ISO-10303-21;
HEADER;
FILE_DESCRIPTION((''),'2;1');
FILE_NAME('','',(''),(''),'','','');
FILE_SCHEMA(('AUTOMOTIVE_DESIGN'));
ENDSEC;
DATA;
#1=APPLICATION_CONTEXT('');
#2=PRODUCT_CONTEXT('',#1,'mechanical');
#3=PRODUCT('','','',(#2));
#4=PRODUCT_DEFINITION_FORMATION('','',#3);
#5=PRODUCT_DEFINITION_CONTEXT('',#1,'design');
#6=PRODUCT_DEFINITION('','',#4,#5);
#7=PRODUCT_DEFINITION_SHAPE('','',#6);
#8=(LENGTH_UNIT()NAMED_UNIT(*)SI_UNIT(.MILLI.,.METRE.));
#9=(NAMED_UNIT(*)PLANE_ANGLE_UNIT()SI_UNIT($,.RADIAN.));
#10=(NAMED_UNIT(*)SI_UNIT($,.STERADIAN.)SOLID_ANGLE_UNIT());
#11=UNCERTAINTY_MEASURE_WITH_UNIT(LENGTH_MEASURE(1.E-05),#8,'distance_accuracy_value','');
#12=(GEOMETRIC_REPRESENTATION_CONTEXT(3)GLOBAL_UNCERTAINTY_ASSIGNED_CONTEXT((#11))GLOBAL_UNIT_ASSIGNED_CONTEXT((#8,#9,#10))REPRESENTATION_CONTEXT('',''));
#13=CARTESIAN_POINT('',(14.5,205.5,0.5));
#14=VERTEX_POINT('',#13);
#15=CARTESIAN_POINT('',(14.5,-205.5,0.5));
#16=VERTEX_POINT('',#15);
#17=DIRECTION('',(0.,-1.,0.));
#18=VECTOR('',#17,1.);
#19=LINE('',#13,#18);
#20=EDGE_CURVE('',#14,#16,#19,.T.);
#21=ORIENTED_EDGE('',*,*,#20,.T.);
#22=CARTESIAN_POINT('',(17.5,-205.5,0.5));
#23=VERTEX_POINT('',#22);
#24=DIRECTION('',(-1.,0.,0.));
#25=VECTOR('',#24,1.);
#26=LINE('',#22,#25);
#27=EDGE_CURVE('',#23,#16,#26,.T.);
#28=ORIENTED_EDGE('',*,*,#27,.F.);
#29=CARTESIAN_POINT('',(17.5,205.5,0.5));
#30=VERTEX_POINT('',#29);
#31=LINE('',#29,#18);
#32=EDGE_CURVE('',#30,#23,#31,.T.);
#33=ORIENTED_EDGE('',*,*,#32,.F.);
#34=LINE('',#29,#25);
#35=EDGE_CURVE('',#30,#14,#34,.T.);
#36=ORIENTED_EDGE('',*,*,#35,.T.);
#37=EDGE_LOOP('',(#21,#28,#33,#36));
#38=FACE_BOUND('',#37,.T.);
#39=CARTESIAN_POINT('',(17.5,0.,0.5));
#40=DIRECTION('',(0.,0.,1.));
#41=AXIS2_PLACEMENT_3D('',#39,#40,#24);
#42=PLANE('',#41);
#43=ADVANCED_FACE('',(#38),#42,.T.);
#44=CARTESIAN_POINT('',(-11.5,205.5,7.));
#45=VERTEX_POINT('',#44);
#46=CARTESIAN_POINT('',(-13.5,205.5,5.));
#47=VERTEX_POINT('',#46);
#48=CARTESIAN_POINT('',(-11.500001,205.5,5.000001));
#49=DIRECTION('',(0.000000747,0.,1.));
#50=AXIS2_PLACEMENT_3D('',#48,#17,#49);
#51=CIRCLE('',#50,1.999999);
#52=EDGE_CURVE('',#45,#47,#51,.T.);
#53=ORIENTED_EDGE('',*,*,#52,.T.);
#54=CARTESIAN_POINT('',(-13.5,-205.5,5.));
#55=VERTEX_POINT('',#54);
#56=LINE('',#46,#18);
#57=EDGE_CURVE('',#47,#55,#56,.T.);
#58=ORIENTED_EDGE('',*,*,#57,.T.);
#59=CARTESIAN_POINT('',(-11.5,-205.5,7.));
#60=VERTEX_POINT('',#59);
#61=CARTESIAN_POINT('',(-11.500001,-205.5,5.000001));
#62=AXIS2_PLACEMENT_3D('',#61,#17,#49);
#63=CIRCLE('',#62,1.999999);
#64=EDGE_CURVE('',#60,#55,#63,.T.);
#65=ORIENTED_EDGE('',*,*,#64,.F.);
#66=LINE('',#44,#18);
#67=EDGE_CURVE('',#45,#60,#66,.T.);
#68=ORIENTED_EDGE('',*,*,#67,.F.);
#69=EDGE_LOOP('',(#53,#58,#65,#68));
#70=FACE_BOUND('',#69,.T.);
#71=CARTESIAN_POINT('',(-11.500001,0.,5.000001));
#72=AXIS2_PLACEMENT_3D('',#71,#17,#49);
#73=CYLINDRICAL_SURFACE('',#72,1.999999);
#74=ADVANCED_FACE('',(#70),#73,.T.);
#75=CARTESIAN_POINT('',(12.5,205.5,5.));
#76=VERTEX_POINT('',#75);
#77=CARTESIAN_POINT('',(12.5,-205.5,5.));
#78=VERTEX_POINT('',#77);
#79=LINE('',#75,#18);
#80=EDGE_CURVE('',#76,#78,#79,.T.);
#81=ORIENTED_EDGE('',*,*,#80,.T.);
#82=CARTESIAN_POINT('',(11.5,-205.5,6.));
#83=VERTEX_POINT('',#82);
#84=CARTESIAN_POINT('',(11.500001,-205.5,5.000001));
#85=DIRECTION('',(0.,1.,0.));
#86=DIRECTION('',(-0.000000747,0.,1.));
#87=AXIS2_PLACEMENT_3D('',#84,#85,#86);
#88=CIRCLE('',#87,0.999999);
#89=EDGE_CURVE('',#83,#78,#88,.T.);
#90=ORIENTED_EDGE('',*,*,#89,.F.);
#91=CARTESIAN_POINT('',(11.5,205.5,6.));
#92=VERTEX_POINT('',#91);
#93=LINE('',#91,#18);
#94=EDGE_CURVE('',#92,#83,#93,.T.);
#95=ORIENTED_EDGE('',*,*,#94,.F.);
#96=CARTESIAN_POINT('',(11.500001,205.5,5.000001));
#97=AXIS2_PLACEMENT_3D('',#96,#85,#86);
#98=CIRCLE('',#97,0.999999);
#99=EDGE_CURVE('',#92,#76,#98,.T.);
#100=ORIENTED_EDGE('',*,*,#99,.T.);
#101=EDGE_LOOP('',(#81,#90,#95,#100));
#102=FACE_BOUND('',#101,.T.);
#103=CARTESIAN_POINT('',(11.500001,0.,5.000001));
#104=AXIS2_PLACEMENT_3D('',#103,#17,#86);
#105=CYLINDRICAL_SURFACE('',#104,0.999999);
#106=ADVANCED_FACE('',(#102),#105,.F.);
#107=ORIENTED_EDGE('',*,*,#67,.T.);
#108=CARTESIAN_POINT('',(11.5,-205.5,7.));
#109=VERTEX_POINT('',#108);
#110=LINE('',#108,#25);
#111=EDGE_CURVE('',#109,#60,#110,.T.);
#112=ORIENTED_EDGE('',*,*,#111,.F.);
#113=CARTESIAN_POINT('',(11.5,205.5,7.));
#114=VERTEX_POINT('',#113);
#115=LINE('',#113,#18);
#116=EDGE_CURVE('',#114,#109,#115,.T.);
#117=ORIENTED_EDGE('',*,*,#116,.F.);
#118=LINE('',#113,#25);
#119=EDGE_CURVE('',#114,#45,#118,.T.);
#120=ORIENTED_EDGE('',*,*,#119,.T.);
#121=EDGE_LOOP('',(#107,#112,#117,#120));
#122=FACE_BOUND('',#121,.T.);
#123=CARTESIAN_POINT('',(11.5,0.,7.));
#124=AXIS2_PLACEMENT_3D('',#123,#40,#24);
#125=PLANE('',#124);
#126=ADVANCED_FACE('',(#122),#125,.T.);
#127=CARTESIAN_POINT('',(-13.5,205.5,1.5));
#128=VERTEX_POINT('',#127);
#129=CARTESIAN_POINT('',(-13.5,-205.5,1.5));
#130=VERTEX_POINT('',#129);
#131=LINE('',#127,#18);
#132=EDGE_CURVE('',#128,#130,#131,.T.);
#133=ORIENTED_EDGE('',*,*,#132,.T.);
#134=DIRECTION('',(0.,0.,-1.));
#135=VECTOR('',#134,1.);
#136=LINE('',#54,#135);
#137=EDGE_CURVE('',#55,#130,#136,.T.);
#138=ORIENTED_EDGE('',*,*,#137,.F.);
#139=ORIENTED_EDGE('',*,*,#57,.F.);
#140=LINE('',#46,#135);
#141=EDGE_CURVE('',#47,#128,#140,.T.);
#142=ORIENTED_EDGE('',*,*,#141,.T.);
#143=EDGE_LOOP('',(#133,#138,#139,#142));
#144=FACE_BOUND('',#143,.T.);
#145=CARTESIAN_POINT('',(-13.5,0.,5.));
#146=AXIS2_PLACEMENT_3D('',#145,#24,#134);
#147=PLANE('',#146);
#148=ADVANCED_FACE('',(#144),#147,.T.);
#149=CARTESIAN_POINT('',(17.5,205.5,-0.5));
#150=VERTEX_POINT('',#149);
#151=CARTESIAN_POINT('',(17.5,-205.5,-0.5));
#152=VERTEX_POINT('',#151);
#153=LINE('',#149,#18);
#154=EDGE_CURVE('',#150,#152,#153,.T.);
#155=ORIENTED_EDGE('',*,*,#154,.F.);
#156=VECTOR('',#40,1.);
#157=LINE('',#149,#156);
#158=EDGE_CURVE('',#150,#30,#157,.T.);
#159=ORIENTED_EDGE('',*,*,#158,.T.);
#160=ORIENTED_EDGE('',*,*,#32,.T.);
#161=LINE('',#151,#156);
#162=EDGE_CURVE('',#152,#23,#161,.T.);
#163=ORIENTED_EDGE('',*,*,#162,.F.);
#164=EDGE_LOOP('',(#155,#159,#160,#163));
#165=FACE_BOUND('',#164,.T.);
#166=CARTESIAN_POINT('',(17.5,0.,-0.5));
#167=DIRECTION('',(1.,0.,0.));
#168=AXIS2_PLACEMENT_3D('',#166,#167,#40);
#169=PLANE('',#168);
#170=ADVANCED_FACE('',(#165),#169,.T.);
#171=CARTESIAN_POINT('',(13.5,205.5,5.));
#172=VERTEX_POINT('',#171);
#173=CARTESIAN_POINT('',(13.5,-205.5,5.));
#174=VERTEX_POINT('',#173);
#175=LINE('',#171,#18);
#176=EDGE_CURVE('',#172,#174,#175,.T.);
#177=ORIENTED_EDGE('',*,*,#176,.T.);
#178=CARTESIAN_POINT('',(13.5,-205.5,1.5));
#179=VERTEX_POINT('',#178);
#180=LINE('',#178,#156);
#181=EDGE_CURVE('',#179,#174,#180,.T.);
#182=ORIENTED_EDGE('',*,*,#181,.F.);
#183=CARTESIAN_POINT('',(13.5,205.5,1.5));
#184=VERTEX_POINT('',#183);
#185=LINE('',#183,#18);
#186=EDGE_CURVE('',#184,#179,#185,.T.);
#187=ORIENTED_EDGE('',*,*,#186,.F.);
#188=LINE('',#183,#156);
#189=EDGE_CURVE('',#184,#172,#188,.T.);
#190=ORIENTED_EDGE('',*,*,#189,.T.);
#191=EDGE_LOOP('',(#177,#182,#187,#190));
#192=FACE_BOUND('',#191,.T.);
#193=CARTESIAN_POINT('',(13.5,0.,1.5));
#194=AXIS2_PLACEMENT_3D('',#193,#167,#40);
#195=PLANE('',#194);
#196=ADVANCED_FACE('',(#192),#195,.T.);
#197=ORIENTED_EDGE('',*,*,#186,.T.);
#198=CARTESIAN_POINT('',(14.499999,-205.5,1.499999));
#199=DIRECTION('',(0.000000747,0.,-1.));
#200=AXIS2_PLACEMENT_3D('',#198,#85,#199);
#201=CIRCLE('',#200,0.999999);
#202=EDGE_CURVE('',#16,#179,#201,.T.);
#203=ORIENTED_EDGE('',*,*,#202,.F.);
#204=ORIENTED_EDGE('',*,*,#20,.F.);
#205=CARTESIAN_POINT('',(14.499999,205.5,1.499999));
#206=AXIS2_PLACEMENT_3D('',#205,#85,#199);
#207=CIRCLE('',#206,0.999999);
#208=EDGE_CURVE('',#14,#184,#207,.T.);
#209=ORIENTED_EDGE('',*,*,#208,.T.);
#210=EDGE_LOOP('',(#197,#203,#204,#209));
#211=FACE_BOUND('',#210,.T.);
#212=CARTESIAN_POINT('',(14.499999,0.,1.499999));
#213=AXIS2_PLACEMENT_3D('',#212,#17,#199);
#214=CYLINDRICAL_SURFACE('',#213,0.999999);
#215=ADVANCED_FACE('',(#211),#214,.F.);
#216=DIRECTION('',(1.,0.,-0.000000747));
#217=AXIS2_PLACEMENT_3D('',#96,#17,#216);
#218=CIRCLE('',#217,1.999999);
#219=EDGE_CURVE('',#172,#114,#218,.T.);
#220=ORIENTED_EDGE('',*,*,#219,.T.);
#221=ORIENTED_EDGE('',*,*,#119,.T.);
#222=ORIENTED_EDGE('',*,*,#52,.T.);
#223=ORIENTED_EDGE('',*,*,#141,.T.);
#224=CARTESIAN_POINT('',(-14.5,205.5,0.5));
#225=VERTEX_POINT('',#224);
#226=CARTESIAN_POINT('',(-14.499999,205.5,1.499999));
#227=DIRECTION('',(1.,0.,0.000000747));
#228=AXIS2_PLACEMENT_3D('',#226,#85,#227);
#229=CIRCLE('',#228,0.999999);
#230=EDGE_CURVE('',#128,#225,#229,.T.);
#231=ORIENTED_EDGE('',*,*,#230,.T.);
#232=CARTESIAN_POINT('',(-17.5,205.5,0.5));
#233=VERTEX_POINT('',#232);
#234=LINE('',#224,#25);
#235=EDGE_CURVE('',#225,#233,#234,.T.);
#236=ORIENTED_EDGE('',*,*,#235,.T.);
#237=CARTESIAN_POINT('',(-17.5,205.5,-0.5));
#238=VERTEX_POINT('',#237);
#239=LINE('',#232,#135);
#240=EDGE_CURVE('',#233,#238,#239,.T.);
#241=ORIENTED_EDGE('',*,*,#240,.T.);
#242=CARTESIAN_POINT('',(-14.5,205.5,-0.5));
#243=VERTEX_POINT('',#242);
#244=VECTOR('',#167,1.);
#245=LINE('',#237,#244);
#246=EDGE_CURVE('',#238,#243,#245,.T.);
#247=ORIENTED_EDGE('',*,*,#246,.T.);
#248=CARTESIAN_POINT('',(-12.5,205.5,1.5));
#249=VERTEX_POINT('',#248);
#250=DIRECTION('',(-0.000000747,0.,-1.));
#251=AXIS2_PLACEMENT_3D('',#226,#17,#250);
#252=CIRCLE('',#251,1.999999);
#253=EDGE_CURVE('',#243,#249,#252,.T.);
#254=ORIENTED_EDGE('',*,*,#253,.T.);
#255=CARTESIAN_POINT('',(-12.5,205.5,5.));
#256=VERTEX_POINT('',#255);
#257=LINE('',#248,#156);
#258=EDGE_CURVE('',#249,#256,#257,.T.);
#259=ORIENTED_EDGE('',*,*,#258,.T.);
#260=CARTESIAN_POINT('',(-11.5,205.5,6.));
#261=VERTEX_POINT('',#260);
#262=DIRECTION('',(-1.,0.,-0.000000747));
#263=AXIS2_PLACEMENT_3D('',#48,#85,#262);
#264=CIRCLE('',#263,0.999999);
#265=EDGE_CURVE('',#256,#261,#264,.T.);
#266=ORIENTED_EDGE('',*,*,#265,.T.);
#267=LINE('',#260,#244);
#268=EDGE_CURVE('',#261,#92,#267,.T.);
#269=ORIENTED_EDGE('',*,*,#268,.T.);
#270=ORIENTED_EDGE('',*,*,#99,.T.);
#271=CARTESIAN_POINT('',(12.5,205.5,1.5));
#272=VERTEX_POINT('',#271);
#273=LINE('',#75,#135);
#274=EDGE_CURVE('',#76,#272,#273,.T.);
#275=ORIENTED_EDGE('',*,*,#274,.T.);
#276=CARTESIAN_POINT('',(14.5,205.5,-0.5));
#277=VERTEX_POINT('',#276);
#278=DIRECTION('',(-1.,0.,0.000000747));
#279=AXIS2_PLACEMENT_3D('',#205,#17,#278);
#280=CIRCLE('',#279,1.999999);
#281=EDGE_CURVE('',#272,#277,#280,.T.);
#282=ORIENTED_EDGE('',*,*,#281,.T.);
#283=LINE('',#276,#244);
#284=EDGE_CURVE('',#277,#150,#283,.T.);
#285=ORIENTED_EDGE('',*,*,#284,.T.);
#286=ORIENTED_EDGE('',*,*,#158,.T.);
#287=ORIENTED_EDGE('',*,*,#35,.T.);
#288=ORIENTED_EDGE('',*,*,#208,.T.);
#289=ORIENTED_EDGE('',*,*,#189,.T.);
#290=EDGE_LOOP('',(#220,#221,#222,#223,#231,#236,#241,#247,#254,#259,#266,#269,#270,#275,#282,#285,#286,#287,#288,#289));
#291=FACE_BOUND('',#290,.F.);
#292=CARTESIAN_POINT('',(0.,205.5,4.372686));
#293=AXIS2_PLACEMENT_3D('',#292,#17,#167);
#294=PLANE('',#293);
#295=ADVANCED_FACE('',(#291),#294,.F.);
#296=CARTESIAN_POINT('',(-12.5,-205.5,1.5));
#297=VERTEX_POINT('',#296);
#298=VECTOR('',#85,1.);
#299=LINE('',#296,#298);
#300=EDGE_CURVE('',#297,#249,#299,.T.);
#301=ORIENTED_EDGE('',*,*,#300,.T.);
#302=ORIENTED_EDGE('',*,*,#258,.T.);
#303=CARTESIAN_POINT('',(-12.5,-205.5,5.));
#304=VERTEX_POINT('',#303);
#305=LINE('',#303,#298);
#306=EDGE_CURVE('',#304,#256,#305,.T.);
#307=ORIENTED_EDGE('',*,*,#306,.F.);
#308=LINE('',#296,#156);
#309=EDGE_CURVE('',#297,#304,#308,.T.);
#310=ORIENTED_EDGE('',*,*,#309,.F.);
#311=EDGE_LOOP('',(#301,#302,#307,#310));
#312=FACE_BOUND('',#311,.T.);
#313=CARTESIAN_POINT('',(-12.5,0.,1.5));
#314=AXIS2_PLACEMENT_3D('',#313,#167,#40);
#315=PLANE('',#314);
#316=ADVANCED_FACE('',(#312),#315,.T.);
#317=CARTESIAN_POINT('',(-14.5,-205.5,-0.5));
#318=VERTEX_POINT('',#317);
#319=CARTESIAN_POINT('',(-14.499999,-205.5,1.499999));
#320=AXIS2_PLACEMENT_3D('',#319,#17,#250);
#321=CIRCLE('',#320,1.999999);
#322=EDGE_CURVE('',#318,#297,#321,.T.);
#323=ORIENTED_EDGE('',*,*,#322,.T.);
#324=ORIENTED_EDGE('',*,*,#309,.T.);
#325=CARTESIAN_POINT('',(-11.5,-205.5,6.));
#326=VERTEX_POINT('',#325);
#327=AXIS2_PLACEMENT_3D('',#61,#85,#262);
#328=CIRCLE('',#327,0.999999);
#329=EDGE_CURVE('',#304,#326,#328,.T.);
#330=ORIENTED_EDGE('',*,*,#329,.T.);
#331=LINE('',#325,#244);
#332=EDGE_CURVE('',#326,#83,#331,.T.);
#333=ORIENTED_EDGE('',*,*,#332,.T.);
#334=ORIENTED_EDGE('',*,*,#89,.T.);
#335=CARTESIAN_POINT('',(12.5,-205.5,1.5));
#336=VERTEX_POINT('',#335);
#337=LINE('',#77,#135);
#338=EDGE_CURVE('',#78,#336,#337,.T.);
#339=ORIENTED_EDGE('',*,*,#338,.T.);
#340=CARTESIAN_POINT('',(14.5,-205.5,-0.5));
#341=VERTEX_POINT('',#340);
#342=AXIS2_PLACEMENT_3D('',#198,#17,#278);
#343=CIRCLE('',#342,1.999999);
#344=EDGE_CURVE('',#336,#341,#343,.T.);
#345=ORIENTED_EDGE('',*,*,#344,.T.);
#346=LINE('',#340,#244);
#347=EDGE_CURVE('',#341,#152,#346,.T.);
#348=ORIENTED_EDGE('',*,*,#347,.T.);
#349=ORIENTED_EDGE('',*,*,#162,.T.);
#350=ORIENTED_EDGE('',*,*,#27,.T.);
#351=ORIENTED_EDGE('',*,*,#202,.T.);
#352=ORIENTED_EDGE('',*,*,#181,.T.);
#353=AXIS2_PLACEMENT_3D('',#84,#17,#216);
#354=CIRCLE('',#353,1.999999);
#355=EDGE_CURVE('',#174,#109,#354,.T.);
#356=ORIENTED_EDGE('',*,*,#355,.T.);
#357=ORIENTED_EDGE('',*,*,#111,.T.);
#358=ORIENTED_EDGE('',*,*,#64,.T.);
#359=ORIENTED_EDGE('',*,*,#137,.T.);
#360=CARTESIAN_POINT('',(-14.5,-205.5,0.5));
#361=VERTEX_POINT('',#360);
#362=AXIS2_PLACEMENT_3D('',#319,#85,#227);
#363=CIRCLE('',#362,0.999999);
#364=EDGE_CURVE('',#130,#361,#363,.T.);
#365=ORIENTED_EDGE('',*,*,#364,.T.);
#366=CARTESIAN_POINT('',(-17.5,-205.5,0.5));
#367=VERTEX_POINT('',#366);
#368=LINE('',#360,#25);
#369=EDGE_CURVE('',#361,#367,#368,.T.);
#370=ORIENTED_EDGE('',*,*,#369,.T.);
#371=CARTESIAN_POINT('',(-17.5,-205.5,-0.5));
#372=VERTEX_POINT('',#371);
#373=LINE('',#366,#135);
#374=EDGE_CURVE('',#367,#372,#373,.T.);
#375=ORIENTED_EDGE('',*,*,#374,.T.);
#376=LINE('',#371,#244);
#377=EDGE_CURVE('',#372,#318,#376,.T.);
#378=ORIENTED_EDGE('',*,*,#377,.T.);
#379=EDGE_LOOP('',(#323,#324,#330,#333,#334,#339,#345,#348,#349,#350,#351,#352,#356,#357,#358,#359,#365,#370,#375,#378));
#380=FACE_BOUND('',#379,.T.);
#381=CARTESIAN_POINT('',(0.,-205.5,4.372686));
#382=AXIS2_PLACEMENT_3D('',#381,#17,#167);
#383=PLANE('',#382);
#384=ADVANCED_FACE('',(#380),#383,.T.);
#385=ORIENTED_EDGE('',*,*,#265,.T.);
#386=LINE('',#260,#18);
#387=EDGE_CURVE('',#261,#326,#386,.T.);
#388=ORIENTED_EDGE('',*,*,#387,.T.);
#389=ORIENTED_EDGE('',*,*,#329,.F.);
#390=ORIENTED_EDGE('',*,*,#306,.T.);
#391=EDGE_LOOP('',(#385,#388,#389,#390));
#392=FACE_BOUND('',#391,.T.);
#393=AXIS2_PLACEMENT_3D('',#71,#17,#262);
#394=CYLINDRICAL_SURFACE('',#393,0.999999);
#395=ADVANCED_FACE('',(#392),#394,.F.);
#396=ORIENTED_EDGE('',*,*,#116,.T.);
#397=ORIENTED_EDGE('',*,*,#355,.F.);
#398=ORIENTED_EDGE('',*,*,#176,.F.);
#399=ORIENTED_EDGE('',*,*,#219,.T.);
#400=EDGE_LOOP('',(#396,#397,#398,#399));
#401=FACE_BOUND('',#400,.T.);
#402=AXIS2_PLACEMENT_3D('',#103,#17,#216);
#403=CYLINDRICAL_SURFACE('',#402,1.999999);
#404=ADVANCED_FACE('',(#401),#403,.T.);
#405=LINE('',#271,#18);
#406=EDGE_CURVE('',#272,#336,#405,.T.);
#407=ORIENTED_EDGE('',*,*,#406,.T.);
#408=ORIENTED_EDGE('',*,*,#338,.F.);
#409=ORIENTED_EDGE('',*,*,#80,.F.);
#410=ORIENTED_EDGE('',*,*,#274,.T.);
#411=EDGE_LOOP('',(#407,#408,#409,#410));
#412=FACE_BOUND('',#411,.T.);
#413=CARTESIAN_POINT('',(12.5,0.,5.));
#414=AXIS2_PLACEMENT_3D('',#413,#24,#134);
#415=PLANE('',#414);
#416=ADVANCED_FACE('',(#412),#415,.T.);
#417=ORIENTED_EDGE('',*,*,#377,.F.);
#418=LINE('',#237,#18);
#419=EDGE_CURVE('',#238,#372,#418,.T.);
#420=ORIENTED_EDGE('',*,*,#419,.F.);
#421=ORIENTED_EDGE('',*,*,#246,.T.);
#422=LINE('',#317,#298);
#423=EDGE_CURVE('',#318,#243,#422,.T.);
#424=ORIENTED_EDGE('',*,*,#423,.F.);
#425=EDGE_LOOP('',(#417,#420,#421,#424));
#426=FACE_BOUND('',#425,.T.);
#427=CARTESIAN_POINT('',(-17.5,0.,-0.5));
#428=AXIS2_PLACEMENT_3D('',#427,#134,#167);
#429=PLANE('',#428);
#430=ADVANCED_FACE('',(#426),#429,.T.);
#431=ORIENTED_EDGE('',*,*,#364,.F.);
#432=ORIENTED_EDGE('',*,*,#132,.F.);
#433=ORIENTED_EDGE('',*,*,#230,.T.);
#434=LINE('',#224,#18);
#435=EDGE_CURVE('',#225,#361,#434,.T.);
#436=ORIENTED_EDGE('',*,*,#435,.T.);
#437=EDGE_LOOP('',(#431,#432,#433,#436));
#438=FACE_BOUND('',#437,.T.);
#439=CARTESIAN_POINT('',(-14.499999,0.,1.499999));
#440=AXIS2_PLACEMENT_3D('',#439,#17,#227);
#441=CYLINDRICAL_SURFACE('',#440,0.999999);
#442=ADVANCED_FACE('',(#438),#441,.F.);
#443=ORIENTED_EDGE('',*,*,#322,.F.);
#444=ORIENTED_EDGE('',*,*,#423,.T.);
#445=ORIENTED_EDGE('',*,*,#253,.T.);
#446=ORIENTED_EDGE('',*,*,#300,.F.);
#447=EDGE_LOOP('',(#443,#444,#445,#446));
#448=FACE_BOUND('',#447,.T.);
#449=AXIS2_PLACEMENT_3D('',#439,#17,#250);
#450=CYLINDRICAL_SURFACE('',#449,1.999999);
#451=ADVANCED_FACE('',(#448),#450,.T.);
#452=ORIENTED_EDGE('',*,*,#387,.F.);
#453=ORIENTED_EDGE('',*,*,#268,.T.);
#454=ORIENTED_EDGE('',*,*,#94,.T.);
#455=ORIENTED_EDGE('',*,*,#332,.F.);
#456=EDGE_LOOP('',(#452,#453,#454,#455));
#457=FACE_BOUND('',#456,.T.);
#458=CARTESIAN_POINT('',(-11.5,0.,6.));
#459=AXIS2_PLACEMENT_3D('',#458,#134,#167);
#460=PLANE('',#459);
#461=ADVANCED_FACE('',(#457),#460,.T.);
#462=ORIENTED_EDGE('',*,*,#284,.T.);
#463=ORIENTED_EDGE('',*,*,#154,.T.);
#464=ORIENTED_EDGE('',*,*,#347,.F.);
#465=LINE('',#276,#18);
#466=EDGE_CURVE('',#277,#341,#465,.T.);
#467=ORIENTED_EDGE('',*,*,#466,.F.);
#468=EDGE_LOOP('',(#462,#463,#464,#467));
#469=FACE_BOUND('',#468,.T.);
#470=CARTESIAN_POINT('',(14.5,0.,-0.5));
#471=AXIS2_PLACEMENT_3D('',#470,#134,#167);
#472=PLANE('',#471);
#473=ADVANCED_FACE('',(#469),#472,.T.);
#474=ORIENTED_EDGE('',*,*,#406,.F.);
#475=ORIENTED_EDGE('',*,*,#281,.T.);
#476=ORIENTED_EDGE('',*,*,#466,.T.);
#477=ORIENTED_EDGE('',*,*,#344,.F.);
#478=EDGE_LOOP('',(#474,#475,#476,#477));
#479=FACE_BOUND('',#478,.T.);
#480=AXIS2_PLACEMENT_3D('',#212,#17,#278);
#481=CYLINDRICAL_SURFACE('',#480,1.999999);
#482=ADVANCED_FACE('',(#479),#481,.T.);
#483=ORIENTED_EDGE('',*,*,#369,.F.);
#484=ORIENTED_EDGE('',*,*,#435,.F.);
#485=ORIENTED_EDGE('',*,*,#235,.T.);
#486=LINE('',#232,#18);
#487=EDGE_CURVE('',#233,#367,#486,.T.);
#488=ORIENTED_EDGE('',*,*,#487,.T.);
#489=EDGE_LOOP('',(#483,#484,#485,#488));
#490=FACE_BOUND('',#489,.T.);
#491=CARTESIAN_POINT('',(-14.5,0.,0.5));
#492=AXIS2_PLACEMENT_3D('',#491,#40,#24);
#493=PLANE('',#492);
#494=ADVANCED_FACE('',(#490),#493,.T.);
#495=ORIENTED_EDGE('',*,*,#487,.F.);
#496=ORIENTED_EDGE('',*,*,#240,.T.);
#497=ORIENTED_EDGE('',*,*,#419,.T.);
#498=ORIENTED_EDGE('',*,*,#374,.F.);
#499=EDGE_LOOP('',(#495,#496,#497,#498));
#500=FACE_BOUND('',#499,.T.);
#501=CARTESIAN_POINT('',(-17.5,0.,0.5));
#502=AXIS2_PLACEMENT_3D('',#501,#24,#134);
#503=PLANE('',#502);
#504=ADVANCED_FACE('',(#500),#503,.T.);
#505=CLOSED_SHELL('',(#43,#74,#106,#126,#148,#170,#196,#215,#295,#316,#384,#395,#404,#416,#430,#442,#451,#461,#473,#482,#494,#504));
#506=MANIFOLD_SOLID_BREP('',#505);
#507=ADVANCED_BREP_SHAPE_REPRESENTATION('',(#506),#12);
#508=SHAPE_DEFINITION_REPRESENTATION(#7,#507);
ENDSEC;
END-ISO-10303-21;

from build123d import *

# Parameters (mm, degrees)
F1_DEPTH = 205.5


with BuildPart() as f1:
    # F0 (on Front) → F1 (new body, symmetric)
    with BuildSketch(Plane.XZ):
        with BuildLine():
            ThreePointArc((-12.5, 5), (-12.207107, 5.707107), (-11.5, 6))
            Line((-11.5, 6), (11.5, 6))
            ThreePointArc((11.5, 6), (12.207107, 5.707107), (12.5, 5))
            Line((12.5, 5), (12.5, 1.5))
            ThreePointArc((12.5, 1.5), (13.085786, 0.085786), (14.5, -0.5))
            Line((14.5, -0.5), (17.5, -0.5))
            Line((17.5, -0.5), (17.5, 0))
            Line((17.5, 0), (17.5, 0.5))
            Line((17.5, 0.5), (14.5, 0.5))
            ThreePointArc((14.5, 0.5), (13.792893, 0.792893), (13.5, 1.5))
            Line((13.5, 1.5), (13.5, 5))
            ThreePointArc((13.5, 5), (12.914214, 6.414214), (11.5, 7))
            Line((11.5, 7), (-11.5, 7))
            ThreePointArc((-11.5, 7), (-12.914214, 6.414214), (-13.5, 5))
            Line((-13.5, 5), (-13.5, 1.5))
            ThreePointArc((-13.5, 1.5), (-13.792893, 0.792893), (-14.5, 0.5))
            Line((-14.5, 0.5), (-17.5, 0.5))
            Line((-17.5, 0.5), (-17.5, 0))
            Line((-17.5, 0), (-17.5, -0.5))
            Line((-17.5, -0.5), (-14.5, -0.5))
            ThreePointArc((-14.5, -0.5), (-13.085786, 0.085786), (-12.5, 1.5))
            Line((-12.5, 1.5), (-12.5, 5))
        make_face()
    extrude(amount=F1_DEPTH, both=True)


solid = f1.part
